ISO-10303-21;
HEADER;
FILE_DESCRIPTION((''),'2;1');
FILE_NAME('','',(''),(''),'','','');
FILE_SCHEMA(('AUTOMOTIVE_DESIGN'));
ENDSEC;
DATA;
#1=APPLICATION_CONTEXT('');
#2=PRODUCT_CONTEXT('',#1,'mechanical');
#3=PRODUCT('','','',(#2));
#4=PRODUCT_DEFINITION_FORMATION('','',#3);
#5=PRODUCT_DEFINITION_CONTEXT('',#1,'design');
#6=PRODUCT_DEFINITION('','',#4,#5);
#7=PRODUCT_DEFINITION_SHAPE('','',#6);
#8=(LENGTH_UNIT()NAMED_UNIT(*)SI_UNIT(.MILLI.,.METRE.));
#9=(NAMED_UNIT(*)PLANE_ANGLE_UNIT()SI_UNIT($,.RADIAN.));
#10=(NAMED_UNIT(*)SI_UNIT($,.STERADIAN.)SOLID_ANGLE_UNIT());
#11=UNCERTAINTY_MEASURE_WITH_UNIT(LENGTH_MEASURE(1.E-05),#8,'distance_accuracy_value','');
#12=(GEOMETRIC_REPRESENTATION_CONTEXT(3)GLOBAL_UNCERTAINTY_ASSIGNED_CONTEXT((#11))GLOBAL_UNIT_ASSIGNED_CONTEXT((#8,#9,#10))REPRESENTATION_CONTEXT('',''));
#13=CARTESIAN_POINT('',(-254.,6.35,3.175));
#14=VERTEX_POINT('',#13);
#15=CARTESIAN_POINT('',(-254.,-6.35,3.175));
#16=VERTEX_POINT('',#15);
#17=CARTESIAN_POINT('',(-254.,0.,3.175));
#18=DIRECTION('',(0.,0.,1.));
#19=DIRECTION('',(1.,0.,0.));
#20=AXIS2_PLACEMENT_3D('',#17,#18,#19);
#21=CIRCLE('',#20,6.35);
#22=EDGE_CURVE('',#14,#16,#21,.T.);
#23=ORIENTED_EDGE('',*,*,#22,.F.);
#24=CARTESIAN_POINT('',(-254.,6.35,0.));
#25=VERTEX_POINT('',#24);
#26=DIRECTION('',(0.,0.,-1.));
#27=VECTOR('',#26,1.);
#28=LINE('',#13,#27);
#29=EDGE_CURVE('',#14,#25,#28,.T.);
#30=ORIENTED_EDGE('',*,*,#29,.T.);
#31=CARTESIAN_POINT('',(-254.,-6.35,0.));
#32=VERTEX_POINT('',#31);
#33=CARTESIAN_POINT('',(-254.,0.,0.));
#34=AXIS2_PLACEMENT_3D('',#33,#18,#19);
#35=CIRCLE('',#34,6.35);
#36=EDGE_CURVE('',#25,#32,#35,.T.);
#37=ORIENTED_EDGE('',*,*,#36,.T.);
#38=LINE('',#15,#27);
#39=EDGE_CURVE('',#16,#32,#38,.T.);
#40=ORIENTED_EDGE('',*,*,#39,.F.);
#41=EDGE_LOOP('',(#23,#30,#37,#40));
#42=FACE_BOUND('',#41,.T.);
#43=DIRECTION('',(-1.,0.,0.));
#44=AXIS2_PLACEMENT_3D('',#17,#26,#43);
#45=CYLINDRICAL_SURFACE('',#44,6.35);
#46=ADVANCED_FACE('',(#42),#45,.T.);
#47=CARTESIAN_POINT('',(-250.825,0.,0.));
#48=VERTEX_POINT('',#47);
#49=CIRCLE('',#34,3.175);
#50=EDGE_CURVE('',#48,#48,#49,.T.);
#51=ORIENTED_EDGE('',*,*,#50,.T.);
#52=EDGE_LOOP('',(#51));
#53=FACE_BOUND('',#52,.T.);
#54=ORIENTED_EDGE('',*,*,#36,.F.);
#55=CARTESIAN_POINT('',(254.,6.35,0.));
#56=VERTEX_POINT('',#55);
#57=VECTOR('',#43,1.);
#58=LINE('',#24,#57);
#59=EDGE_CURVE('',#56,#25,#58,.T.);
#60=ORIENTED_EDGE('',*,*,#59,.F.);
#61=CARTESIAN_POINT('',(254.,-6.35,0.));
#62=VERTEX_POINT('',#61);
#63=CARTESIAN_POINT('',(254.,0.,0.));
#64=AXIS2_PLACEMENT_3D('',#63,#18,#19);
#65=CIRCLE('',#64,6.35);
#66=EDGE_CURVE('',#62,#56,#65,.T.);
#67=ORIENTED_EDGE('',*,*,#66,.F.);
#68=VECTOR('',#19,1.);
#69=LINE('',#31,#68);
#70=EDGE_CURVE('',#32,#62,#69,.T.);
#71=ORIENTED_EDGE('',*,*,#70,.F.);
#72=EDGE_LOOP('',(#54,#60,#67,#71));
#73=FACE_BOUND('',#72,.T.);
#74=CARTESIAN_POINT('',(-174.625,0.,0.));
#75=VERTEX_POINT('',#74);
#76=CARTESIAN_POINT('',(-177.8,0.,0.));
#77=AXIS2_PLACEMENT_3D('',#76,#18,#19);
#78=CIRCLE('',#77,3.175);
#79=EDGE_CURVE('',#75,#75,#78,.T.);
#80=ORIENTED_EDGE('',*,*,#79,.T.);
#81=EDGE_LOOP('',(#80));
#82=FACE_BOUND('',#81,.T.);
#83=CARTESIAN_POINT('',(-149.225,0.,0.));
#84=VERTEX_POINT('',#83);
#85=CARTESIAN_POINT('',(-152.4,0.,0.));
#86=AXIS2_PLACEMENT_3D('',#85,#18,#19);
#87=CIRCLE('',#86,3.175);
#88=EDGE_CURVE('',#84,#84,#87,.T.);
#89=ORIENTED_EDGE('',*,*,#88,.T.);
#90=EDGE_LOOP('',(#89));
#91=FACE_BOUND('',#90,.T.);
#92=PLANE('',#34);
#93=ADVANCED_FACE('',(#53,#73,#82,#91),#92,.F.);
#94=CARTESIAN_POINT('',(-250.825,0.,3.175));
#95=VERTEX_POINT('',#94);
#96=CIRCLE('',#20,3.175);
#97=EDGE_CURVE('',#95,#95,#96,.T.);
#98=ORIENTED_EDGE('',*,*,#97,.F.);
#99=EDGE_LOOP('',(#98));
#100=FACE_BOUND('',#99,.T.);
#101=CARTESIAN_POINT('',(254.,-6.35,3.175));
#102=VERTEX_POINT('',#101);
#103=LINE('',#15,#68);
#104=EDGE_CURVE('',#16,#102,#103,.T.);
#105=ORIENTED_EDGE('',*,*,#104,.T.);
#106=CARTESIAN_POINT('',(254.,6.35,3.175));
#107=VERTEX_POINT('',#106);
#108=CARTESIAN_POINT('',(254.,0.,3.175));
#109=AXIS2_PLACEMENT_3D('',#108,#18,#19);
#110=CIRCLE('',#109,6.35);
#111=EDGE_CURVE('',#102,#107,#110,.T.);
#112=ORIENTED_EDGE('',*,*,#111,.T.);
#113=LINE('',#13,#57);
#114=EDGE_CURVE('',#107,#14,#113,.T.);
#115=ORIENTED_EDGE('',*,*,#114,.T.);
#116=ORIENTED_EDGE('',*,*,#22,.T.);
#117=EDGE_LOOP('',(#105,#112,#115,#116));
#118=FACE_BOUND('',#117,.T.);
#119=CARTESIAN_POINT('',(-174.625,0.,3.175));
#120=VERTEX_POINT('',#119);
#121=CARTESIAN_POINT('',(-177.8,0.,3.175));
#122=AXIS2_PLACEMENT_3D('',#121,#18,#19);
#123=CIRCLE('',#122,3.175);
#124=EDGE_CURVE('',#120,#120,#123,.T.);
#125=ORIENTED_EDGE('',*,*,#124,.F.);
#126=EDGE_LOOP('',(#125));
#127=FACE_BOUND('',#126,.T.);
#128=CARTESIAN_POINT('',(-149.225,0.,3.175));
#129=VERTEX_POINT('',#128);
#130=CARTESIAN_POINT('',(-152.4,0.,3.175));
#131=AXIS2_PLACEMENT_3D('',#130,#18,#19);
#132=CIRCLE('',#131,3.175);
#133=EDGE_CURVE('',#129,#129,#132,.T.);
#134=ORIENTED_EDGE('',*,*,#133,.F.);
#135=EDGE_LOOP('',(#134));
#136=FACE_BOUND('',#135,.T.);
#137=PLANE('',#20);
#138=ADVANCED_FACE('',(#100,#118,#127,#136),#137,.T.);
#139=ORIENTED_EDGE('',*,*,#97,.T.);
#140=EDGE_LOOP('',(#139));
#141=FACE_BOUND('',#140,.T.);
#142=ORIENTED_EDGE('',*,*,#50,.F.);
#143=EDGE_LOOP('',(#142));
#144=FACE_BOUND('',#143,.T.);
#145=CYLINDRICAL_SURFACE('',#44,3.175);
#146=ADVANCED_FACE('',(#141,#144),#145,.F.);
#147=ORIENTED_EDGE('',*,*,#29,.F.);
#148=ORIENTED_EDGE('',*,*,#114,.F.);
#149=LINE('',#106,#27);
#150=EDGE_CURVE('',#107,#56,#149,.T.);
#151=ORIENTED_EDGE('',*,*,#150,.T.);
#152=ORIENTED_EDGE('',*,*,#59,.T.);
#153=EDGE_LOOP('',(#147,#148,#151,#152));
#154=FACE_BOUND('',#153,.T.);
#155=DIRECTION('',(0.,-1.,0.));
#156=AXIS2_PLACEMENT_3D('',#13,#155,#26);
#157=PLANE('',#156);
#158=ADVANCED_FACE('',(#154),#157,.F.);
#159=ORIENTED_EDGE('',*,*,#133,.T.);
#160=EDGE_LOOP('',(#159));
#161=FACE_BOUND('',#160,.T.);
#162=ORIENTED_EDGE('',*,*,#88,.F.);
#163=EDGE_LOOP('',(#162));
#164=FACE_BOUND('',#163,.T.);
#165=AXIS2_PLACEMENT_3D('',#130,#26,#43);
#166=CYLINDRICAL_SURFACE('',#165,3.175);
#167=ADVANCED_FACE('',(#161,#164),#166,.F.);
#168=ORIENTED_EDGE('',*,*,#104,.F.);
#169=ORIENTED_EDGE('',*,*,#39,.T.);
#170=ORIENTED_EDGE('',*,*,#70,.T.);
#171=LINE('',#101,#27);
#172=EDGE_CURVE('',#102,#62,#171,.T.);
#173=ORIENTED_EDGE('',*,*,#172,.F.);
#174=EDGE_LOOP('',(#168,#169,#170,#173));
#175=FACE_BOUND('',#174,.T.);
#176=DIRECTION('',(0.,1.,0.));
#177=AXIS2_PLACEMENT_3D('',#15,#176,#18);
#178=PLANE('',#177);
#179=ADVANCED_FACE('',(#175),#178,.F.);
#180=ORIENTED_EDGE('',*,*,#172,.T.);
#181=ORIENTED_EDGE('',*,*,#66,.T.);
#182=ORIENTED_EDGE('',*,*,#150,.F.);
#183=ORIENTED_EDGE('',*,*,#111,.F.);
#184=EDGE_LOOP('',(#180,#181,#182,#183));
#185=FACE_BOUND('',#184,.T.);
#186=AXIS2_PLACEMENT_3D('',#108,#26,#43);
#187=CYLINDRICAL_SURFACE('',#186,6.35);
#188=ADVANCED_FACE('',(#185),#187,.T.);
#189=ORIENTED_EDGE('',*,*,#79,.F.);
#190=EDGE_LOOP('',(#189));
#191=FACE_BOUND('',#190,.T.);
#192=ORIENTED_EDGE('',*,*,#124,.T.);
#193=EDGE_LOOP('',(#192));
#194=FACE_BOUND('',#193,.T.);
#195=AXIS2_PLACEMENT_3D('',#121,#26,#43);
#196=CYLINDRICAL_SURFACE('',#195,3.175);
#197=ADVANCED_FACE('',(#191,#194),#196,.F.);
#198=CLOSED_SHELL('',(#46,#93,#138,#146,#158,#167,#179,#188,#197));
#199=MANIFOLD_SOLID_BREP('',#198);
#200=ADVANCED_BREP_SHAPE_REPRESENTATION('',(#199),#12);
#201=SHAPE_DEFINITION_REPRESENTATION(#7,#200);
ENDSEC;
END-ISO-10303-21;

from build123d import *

# Parameters (mm, degrees)
SKETCH1_R           = 3.175
BOSS_EXTRUDE2_DEPTH = 3.175


with BuildPart() as part:
    # Sketch1 → Boss-Extrude2 (new body)
    with BuildSketch(Plane.XY):
        with BuildLine():
            Line((-254, 6.35), (254, 6.35))
            ThreePointArc((254, 6.35), (260.35, 0), (254, -6.35))
            Line((254, -6.35), (-254, -6.35))
            ThreePointArc((-254, -6.35), (-260.35, 0), (-254, 6.35))
        make_face()
        with Locations((-254, 0)):
            Circle(SKETCH1_R, mode=Mode.SUBTRACT)
        with Locations((-177.8, 0)):
            Circle(SKETCH1_R, mode=Mode.SUBTRACT)
        with Locations((-152.4, 0)):
            Circle(SKETCH1_R, mode=Mode.SUBTRACT)
    extrude(amount=BOSS_EXTRUDE2_DEPTH)


solid = part.part
